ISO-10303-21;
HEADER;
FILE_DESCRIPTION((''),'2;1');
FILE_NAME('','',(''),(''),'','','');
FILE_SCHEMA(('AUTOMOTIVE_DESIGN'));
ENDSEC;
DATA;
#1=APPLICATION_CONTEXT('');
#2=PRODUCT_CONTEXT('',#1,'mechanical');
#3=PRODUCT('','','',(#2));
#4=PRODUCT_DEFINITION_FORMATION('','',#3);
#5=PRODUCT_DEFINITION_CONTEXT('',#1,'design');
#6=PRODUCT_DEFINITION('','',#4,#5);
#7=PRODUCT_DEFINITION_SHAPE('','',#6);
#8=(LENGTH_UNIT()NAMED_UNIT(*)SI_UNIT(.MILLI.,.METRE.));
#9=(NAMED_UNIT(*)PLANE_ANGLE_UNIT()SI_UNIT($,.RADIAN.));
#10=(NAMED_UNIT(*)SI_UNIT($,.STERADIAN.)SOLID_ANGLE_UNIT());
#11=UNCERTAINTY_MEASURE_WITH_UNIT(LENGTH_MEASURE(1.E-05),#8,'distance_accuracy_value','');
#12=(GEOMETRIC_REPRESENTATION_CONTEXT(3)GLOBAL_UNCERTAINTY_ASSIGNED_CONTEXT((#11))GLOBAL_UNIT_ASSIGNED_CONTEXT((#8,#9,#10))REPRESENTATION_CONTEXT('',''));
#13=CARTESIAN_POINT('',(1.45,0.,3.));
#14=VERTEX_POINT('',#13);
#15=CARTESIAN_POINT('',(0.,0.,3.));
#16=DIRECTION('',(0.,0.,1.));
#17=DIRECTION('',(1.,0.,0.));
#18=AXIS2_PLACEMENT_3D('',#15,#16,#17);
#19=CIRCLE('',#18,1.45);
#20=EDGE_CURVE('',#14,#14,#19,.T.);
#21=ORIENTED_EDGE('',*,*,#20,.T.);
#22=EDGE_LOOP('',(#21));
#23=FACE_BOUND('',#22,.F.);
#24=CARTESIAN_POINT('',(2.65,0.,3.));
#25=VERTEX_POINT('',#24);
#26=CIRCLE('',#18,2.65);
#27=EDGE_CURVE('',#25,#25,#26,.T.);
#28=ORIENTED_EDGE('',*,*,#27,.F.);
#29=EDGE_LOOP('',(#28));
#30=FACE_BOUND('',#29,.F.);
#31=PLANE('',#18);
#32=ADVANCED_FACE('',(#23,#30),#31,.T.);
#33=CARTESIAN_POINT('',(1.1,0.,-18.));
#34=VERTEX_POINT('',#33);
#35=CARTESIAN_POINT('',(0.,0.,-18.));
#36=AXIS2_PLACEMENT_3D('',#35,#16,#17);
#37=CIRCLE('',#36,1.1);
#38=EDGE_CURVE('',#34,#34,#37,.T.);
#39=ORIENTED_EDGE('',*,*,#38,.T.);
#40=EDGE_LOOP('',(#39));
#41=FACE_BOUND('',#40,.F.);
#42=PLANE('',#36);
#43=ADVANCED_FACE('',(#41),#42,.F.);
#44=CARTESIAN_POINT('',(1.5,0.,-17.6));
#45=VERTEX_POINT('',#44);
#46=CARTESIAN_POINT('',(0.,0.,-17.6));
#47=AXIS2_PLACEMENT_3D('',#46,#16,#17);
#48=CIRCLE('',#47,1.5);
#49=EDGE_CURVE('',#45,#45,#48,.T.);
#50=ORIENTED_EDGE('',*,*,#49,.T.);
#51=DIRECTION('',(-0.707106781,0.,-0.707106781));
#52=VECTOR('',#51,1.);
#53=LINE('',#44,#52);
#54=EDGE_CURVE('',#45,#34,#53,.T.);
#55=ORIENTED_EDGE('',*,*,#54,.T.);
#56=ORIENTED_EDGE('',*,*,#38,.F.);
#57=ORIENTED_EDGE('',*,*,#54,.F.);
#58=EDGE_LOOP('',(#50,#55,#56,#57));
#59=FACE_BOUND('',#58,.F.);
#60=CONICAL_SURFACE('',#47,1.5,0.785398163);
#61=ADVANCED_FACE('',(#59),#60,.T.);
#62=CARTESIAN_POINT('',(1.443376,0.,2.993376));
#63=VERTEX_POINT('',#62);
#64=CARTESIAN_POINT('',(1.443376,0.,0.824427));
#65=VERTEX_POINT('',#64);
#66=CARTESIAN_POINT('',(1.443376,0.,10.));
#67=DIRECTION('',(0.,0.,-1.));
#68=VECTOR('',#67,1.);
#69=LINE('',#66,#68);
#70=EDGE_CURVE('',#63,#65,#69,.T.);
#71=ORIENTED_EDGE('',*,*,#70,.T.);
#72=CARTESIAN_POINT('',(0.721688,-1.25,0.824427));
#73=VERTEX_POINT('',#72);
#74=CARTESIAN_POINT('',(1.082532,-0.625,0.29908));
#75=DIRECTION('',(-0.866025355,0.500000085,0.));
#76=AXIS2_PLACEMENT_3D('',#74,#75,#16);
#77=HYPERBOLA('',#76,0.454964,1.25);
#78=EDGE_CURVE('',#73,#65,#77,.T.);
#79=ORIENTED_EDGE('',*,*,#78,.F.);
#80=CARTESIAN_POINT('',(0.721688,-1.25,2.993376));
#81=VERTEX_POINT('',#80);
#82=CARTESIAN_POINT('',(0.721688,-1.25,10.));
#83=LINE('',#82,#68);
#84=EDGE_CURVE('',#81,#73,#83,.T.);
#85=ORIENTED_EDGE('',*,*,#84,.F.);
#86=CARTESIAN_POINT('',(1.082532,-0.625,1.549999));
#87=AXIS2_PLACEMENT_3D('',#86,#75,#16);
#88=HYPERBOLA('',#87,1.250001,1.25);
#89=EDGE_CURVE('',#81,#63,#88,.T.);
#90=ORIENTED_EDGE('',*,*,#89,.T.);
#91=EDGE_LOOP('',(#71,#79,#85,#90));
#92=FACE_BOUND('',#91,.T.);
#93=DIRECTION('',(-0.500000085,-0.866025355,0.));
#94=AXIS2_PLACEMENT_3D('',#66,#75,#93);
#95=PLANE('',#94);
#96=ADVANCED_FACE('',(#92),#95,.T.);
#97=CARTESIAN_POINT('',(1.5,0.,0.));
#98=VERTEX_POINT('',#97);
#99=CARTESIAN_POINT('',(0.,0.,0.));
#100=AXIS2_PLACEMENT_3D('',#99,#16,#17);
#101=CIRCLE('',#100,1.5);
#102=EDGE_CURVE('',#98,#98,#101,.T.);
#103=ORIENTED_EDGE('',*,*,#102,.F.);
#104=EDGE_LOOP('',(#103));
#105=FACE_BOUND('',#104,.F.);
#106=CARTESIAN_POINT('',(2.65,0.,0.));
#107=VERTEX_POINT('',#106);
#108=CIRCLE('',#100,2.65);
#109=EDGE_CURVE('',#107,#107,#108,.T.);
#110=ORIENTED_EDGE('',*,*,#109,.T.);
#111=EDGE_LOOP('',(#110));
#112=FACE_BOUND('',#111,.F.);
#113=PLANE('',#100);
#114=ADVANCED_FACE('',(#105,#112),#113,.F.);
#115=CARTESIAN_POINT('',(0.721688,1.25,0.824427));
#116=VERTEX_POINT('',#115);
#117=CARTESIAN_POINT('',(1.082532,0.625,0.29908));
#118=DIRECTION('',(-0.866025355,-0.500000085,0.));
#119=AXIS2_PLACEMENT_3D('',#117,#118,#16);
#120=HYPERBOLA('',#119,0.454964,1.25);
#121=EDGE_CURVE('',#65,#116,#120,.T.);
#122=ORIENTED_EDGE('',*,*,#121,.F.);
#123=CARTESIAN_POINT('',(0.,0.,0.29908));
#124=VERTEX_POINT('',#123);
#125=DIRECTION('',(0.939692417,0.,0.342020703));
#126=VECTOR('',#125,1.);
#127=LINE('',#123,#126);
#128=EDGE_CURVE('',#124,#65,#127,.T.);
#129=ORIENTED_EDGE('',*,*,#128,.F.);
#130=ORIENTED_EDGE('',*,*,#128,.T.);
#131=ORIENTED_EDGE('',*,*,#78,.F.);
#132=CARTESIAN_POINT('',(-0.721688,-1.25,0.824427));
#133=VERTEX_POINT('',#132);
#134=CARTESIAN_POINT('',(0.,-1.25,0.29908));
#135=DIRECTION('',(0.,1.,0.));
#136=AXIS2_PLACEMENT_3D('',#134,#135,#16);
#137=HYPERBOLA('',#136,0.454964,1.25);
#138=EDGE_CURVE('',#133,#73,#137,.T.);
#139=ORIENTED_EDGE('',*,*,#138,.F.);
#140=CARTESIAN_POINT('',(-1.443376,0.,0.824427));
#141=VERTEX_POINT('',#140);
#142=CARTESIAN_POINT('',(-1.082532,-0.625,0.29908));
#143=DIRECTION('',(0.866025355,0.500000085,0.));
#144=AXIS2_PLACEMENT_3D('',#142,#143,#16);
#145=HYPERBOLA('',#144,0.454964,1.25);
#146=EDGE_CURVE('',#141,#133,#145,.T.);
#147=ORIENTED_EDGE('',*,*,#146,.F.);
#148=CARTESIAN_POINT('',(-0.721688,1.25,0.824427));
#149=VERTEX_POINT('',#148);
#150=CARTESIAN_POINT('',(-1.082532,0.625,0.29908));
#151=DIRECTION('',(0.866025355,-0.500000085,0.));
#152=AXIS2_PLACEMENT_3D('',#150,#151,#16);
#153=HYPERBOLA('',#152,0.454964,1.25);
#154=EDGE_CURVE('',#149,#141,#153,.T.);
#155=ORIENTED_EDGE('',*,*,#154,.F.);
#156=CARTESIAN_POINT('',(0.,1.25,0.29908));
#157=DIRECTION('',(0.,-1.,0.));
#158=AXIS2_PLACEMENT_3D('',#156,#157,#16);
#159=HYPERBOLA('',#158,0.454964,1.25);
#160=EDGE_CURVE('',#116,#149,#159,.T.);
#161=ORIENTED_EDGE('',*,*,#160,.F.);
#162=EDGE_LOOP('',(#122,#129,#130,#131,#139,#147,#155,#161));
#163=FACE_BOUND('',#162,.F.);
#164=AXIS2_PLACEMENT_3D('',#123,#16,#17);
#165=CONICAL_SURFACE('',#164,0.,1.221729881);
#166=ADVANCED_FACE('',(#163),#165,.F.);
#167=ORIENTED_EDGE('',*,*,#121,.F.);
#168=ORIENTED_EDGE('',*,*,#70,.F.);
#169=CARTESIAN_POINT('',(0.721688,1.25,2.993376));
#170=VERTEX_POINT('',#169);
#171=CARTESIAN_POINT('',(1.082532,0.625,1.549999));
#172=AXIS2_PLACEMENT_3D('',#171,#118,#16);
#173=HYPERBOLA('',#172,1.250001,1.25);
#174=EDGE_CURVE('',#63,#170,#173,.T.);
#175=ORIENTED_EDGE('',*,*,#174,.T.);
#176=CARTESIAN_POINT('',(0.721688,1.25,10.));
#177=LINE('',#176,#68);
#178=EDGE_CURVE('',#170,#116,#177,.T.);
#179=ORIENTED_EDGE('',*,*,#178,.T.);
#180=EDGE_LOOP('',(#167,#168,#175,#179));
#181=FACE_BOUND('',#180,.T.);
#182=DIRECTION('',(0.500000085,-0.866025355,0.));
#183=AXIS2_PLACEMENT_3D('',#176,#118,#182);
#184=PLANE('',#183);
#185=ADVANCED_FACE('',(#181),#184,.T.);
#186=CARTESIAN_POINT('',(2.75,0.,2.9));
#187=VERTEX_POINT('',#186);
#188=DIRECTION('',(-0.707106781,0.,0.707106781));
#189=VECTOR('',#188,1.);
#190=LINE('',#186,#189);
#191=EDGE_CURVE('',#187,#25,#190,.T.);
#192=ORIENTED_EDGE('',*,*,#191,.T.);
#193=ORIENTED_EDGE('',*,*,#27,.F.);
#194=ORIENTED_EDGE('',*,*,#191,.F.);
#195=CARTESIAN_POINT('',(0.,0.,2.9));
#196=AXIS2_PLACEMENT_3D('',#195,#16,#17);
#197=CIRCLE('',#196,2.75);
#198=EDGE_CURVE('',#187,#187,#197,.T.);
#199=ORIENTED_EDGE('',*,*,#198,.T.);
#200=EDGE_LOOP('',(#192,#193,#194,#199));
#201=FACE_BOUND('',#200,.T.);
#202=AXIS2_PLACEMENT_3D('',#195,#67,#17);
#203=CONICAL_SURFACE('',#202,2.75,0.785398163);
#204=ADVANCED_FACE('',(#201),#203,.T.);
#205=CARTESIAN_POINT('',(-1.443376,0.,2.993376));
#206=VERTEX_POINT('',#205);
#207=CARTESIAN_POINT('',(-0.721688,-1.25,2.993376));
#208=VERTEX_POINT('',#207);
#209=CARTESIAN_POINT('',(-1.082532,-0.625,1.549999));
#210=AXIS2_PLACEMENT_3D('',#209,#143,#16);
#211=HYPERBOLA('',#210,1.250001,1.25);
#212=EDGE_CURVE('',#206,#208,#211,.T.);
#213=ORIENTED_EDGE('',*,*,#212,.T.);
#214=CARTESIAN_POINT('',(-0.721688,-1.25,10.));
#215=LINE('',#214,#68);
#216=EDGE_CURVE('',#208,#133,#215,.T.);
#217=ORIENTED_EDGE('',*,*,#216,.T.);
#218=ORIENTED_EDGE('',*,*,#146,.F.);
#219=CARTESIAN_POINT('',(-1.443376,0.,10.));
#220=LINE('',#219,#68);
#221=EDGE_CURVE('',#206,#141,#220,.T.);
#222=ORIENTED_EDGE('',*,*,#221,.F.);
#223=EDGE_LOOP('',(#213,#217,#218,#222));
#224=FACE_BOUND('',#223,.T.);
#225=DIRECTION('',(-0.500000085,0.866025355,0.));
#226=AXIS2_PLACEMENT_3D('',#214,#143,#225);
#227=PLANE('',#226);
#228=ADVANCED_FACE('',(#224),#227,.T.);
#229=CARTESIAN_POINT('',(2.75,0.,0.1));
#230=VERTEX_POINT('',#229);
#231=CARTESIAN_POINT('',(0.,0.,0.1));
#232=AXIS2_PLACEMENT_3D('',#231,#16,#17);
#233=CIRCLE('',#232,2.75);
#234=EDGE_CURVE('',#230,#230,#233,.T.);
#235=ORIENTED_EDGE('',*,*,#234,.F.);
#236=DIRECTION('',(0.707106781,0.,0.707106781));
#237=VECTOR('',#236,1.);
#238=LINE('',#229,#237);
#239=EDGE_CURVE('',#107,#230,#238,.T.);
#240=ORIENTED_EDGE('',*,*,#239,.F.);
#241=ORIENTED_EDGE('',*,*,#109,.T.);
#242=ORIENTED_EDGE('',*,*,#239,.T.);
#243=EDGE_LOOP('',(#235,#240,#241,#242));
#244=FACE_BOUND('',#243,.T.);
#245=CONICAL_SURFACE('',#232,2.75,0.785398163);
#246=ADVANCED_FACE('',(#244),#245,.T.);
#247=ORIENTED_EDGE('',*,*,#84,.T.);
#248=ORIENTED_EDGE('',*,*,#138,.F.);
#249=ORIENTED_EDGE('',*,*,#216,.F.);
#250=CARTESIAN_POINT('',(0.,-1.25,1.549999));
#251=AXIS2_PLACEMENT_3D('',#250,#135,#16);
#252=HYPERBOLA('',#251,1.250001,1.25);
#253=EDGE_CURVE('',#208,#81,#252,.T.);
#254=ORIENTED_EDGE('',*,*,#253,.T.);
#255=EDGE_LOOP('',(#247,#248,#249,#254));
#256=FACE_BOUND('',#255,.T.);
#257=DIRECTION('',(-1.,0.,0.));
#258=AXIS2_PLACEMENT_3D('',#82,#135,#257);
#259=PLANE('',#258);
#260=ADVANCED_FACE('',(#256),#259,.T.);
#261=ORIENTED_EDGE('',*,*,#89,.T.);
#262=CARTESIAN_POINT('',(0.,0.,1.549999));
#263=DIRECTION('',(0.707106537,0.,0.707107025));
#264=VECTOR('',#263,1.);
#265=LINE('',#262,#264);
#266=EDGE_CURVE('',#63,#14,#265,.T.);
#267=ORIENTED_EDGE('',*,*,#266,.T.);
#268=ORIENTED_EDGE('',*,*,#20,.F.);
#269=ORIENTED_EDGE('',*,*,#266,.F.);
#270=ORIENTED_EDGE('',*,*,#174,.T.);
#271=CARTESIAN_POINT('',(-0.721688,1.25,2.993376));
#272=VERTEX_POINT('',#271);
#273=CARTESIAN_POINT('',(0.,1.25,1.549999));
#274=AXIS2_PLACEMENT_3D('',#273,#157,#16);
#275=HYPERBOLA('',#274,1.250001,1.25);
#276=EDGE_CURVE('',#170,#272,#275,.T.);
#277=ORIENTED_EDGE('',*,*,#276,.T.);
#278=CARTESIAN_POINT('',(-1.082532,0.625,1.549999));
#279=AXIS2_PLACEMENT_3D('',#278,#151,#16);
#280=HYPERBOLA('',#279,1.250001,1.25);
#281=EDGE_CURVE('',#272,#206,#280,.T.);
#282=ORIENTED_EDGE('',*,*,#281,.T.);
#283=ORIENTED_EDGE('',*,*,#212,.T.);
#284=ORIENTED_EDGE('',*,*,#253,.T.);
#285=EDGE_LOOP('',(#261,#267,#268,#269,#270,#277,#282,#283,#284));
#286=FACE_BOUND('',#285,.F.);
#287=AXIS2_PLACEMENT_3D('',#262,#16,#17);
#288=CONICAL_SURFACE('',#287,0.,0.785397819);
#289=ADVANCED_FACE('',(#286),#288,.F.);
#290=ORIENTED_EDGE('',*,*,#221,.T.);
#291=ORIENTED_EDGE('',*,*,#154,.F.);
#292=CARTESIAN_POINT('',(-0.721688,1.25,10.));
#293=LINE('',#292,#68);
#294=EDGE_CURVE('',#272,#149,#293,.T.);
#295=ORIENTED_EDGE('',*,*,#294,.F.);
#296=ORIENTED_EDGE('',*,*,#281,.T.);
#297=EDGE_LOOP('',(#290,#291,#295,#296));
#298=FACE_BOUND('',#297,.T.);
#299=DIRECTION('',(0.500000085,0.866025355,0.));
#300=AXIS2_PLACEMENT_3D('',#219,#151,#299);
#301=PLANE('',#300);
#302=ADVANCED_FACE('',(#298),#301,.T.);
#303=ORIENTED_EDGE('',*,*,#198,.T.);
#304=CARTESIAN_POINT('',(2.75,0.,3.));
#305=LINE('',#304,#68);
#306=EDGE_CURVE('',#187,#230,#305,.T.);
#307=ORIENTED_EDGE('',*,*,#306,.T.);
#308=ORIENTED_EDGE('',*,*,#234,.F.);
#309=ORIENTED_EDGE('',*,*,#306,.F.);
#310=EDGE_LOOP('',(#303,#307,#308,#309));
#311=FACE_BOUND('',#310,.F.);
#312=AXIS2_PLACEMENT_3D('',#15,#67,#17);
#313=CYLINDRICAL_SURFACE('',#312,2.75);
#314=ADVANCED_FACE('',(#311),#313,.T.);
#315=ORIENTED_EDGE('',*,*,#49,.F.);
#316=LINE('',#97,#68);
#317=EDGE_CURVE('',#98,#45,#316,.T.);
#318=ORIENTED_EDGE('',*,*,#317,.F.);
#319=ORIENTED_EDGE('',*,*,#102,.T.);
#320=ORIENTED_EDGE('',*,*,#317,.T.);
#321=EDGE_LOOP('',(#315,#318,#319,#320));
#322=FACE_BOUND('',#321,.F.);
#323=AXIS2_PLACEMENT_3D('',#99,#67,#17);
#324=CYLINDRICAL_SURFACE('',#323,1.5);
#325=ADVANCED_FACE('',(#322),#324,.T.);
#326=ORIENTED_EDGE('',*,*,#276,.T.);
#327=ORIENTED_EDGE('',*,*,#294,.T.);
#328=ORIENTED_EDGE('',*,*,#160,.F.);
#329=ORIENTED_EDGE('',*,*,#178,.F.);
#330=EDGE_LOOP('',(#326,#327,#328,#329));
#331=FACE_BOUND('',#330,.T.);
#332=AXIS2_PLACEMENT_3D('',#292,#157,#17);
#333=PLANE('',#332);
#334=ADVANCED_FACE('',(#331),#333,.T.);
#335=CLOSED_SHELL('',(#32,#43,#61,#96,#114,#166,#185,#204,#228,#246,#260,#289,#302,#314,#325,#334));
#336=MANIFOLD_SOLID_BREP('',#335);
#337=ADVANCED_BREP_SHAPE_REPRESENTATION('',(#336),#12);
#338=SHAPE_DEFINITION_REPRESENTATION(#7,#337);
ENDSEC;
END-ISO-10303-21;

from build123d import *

# Parameters (mm, degrees)
SKETCH001_R     = 3.75
POCKET_DEPTH    = 9.70192
CHAMFER_SIZE    = 0.4
CHAMFER001_SIZE = 0.1


with BuildPart() as pocket:
    # Sketch003 → Revolution001 (revolve)
    with BuildSketch(Plane.XZ):
        Polygon((0, 0.29908), (2.75, 1.3), (2.75, 10), (0, 10), align=None)
    revolve(axis=Axis((0, 0, 0), (0, 0, 1)))

    # Sketch001 → Pocket (cut, through all)
    with BuildSketch(Plane(origin=(0, 0, 10), x_dir=(-1, 0, 0), z_dir=(0, 0, 1))):
        Circle(SKETCH001_R)
        Polygon((-0.721688, 1.25), (0.721688, 1.25), (1.443376, 0), (0.721688, -1.25), (-0.721688, -1.25), (-1.443376, 0), align=None, mode=Mode.SUBTRACT)
    extrude(amount=-POCKET_DEPTH, mode=Mode.SUBTRACT)


with BuildPart() as chamfer001:
    # Sketch → Revolution (revolve)
    with BuildSketch(Plane.XZ):
        Polygon((1.45, 3), (2.75, 3), (2.75, 0), (1.5, 0), (1.5, -18), (0, -18), (0, 1.549999), align=None)
    revolve(axis=Axis((0, 0, 0), (0, 0, 1)))

    # Cut: cut Pocket
    add(pocket.part, mode=Mode.SUBTRACT)

    # Chamfer
    chamfer_edges = [chamfer001.edges().sort_by_distance(p)[0] for p in [
        (-1.5, 0, -18),
    ]]
    chamfer(chamfer_edges, length=CHAMFER_SIZE)

    # Chamfer001
    chamfer001_edges = [chamfer001.edges().sort_by_distance(p)[0] for p in [
        (-2.75, 0, 0),
        (-2.75, 0, 3),
    ]]
    chamfer(chamfer001_edges, length=CHAMFER001_SIZE)


solid = chamfer001.part
